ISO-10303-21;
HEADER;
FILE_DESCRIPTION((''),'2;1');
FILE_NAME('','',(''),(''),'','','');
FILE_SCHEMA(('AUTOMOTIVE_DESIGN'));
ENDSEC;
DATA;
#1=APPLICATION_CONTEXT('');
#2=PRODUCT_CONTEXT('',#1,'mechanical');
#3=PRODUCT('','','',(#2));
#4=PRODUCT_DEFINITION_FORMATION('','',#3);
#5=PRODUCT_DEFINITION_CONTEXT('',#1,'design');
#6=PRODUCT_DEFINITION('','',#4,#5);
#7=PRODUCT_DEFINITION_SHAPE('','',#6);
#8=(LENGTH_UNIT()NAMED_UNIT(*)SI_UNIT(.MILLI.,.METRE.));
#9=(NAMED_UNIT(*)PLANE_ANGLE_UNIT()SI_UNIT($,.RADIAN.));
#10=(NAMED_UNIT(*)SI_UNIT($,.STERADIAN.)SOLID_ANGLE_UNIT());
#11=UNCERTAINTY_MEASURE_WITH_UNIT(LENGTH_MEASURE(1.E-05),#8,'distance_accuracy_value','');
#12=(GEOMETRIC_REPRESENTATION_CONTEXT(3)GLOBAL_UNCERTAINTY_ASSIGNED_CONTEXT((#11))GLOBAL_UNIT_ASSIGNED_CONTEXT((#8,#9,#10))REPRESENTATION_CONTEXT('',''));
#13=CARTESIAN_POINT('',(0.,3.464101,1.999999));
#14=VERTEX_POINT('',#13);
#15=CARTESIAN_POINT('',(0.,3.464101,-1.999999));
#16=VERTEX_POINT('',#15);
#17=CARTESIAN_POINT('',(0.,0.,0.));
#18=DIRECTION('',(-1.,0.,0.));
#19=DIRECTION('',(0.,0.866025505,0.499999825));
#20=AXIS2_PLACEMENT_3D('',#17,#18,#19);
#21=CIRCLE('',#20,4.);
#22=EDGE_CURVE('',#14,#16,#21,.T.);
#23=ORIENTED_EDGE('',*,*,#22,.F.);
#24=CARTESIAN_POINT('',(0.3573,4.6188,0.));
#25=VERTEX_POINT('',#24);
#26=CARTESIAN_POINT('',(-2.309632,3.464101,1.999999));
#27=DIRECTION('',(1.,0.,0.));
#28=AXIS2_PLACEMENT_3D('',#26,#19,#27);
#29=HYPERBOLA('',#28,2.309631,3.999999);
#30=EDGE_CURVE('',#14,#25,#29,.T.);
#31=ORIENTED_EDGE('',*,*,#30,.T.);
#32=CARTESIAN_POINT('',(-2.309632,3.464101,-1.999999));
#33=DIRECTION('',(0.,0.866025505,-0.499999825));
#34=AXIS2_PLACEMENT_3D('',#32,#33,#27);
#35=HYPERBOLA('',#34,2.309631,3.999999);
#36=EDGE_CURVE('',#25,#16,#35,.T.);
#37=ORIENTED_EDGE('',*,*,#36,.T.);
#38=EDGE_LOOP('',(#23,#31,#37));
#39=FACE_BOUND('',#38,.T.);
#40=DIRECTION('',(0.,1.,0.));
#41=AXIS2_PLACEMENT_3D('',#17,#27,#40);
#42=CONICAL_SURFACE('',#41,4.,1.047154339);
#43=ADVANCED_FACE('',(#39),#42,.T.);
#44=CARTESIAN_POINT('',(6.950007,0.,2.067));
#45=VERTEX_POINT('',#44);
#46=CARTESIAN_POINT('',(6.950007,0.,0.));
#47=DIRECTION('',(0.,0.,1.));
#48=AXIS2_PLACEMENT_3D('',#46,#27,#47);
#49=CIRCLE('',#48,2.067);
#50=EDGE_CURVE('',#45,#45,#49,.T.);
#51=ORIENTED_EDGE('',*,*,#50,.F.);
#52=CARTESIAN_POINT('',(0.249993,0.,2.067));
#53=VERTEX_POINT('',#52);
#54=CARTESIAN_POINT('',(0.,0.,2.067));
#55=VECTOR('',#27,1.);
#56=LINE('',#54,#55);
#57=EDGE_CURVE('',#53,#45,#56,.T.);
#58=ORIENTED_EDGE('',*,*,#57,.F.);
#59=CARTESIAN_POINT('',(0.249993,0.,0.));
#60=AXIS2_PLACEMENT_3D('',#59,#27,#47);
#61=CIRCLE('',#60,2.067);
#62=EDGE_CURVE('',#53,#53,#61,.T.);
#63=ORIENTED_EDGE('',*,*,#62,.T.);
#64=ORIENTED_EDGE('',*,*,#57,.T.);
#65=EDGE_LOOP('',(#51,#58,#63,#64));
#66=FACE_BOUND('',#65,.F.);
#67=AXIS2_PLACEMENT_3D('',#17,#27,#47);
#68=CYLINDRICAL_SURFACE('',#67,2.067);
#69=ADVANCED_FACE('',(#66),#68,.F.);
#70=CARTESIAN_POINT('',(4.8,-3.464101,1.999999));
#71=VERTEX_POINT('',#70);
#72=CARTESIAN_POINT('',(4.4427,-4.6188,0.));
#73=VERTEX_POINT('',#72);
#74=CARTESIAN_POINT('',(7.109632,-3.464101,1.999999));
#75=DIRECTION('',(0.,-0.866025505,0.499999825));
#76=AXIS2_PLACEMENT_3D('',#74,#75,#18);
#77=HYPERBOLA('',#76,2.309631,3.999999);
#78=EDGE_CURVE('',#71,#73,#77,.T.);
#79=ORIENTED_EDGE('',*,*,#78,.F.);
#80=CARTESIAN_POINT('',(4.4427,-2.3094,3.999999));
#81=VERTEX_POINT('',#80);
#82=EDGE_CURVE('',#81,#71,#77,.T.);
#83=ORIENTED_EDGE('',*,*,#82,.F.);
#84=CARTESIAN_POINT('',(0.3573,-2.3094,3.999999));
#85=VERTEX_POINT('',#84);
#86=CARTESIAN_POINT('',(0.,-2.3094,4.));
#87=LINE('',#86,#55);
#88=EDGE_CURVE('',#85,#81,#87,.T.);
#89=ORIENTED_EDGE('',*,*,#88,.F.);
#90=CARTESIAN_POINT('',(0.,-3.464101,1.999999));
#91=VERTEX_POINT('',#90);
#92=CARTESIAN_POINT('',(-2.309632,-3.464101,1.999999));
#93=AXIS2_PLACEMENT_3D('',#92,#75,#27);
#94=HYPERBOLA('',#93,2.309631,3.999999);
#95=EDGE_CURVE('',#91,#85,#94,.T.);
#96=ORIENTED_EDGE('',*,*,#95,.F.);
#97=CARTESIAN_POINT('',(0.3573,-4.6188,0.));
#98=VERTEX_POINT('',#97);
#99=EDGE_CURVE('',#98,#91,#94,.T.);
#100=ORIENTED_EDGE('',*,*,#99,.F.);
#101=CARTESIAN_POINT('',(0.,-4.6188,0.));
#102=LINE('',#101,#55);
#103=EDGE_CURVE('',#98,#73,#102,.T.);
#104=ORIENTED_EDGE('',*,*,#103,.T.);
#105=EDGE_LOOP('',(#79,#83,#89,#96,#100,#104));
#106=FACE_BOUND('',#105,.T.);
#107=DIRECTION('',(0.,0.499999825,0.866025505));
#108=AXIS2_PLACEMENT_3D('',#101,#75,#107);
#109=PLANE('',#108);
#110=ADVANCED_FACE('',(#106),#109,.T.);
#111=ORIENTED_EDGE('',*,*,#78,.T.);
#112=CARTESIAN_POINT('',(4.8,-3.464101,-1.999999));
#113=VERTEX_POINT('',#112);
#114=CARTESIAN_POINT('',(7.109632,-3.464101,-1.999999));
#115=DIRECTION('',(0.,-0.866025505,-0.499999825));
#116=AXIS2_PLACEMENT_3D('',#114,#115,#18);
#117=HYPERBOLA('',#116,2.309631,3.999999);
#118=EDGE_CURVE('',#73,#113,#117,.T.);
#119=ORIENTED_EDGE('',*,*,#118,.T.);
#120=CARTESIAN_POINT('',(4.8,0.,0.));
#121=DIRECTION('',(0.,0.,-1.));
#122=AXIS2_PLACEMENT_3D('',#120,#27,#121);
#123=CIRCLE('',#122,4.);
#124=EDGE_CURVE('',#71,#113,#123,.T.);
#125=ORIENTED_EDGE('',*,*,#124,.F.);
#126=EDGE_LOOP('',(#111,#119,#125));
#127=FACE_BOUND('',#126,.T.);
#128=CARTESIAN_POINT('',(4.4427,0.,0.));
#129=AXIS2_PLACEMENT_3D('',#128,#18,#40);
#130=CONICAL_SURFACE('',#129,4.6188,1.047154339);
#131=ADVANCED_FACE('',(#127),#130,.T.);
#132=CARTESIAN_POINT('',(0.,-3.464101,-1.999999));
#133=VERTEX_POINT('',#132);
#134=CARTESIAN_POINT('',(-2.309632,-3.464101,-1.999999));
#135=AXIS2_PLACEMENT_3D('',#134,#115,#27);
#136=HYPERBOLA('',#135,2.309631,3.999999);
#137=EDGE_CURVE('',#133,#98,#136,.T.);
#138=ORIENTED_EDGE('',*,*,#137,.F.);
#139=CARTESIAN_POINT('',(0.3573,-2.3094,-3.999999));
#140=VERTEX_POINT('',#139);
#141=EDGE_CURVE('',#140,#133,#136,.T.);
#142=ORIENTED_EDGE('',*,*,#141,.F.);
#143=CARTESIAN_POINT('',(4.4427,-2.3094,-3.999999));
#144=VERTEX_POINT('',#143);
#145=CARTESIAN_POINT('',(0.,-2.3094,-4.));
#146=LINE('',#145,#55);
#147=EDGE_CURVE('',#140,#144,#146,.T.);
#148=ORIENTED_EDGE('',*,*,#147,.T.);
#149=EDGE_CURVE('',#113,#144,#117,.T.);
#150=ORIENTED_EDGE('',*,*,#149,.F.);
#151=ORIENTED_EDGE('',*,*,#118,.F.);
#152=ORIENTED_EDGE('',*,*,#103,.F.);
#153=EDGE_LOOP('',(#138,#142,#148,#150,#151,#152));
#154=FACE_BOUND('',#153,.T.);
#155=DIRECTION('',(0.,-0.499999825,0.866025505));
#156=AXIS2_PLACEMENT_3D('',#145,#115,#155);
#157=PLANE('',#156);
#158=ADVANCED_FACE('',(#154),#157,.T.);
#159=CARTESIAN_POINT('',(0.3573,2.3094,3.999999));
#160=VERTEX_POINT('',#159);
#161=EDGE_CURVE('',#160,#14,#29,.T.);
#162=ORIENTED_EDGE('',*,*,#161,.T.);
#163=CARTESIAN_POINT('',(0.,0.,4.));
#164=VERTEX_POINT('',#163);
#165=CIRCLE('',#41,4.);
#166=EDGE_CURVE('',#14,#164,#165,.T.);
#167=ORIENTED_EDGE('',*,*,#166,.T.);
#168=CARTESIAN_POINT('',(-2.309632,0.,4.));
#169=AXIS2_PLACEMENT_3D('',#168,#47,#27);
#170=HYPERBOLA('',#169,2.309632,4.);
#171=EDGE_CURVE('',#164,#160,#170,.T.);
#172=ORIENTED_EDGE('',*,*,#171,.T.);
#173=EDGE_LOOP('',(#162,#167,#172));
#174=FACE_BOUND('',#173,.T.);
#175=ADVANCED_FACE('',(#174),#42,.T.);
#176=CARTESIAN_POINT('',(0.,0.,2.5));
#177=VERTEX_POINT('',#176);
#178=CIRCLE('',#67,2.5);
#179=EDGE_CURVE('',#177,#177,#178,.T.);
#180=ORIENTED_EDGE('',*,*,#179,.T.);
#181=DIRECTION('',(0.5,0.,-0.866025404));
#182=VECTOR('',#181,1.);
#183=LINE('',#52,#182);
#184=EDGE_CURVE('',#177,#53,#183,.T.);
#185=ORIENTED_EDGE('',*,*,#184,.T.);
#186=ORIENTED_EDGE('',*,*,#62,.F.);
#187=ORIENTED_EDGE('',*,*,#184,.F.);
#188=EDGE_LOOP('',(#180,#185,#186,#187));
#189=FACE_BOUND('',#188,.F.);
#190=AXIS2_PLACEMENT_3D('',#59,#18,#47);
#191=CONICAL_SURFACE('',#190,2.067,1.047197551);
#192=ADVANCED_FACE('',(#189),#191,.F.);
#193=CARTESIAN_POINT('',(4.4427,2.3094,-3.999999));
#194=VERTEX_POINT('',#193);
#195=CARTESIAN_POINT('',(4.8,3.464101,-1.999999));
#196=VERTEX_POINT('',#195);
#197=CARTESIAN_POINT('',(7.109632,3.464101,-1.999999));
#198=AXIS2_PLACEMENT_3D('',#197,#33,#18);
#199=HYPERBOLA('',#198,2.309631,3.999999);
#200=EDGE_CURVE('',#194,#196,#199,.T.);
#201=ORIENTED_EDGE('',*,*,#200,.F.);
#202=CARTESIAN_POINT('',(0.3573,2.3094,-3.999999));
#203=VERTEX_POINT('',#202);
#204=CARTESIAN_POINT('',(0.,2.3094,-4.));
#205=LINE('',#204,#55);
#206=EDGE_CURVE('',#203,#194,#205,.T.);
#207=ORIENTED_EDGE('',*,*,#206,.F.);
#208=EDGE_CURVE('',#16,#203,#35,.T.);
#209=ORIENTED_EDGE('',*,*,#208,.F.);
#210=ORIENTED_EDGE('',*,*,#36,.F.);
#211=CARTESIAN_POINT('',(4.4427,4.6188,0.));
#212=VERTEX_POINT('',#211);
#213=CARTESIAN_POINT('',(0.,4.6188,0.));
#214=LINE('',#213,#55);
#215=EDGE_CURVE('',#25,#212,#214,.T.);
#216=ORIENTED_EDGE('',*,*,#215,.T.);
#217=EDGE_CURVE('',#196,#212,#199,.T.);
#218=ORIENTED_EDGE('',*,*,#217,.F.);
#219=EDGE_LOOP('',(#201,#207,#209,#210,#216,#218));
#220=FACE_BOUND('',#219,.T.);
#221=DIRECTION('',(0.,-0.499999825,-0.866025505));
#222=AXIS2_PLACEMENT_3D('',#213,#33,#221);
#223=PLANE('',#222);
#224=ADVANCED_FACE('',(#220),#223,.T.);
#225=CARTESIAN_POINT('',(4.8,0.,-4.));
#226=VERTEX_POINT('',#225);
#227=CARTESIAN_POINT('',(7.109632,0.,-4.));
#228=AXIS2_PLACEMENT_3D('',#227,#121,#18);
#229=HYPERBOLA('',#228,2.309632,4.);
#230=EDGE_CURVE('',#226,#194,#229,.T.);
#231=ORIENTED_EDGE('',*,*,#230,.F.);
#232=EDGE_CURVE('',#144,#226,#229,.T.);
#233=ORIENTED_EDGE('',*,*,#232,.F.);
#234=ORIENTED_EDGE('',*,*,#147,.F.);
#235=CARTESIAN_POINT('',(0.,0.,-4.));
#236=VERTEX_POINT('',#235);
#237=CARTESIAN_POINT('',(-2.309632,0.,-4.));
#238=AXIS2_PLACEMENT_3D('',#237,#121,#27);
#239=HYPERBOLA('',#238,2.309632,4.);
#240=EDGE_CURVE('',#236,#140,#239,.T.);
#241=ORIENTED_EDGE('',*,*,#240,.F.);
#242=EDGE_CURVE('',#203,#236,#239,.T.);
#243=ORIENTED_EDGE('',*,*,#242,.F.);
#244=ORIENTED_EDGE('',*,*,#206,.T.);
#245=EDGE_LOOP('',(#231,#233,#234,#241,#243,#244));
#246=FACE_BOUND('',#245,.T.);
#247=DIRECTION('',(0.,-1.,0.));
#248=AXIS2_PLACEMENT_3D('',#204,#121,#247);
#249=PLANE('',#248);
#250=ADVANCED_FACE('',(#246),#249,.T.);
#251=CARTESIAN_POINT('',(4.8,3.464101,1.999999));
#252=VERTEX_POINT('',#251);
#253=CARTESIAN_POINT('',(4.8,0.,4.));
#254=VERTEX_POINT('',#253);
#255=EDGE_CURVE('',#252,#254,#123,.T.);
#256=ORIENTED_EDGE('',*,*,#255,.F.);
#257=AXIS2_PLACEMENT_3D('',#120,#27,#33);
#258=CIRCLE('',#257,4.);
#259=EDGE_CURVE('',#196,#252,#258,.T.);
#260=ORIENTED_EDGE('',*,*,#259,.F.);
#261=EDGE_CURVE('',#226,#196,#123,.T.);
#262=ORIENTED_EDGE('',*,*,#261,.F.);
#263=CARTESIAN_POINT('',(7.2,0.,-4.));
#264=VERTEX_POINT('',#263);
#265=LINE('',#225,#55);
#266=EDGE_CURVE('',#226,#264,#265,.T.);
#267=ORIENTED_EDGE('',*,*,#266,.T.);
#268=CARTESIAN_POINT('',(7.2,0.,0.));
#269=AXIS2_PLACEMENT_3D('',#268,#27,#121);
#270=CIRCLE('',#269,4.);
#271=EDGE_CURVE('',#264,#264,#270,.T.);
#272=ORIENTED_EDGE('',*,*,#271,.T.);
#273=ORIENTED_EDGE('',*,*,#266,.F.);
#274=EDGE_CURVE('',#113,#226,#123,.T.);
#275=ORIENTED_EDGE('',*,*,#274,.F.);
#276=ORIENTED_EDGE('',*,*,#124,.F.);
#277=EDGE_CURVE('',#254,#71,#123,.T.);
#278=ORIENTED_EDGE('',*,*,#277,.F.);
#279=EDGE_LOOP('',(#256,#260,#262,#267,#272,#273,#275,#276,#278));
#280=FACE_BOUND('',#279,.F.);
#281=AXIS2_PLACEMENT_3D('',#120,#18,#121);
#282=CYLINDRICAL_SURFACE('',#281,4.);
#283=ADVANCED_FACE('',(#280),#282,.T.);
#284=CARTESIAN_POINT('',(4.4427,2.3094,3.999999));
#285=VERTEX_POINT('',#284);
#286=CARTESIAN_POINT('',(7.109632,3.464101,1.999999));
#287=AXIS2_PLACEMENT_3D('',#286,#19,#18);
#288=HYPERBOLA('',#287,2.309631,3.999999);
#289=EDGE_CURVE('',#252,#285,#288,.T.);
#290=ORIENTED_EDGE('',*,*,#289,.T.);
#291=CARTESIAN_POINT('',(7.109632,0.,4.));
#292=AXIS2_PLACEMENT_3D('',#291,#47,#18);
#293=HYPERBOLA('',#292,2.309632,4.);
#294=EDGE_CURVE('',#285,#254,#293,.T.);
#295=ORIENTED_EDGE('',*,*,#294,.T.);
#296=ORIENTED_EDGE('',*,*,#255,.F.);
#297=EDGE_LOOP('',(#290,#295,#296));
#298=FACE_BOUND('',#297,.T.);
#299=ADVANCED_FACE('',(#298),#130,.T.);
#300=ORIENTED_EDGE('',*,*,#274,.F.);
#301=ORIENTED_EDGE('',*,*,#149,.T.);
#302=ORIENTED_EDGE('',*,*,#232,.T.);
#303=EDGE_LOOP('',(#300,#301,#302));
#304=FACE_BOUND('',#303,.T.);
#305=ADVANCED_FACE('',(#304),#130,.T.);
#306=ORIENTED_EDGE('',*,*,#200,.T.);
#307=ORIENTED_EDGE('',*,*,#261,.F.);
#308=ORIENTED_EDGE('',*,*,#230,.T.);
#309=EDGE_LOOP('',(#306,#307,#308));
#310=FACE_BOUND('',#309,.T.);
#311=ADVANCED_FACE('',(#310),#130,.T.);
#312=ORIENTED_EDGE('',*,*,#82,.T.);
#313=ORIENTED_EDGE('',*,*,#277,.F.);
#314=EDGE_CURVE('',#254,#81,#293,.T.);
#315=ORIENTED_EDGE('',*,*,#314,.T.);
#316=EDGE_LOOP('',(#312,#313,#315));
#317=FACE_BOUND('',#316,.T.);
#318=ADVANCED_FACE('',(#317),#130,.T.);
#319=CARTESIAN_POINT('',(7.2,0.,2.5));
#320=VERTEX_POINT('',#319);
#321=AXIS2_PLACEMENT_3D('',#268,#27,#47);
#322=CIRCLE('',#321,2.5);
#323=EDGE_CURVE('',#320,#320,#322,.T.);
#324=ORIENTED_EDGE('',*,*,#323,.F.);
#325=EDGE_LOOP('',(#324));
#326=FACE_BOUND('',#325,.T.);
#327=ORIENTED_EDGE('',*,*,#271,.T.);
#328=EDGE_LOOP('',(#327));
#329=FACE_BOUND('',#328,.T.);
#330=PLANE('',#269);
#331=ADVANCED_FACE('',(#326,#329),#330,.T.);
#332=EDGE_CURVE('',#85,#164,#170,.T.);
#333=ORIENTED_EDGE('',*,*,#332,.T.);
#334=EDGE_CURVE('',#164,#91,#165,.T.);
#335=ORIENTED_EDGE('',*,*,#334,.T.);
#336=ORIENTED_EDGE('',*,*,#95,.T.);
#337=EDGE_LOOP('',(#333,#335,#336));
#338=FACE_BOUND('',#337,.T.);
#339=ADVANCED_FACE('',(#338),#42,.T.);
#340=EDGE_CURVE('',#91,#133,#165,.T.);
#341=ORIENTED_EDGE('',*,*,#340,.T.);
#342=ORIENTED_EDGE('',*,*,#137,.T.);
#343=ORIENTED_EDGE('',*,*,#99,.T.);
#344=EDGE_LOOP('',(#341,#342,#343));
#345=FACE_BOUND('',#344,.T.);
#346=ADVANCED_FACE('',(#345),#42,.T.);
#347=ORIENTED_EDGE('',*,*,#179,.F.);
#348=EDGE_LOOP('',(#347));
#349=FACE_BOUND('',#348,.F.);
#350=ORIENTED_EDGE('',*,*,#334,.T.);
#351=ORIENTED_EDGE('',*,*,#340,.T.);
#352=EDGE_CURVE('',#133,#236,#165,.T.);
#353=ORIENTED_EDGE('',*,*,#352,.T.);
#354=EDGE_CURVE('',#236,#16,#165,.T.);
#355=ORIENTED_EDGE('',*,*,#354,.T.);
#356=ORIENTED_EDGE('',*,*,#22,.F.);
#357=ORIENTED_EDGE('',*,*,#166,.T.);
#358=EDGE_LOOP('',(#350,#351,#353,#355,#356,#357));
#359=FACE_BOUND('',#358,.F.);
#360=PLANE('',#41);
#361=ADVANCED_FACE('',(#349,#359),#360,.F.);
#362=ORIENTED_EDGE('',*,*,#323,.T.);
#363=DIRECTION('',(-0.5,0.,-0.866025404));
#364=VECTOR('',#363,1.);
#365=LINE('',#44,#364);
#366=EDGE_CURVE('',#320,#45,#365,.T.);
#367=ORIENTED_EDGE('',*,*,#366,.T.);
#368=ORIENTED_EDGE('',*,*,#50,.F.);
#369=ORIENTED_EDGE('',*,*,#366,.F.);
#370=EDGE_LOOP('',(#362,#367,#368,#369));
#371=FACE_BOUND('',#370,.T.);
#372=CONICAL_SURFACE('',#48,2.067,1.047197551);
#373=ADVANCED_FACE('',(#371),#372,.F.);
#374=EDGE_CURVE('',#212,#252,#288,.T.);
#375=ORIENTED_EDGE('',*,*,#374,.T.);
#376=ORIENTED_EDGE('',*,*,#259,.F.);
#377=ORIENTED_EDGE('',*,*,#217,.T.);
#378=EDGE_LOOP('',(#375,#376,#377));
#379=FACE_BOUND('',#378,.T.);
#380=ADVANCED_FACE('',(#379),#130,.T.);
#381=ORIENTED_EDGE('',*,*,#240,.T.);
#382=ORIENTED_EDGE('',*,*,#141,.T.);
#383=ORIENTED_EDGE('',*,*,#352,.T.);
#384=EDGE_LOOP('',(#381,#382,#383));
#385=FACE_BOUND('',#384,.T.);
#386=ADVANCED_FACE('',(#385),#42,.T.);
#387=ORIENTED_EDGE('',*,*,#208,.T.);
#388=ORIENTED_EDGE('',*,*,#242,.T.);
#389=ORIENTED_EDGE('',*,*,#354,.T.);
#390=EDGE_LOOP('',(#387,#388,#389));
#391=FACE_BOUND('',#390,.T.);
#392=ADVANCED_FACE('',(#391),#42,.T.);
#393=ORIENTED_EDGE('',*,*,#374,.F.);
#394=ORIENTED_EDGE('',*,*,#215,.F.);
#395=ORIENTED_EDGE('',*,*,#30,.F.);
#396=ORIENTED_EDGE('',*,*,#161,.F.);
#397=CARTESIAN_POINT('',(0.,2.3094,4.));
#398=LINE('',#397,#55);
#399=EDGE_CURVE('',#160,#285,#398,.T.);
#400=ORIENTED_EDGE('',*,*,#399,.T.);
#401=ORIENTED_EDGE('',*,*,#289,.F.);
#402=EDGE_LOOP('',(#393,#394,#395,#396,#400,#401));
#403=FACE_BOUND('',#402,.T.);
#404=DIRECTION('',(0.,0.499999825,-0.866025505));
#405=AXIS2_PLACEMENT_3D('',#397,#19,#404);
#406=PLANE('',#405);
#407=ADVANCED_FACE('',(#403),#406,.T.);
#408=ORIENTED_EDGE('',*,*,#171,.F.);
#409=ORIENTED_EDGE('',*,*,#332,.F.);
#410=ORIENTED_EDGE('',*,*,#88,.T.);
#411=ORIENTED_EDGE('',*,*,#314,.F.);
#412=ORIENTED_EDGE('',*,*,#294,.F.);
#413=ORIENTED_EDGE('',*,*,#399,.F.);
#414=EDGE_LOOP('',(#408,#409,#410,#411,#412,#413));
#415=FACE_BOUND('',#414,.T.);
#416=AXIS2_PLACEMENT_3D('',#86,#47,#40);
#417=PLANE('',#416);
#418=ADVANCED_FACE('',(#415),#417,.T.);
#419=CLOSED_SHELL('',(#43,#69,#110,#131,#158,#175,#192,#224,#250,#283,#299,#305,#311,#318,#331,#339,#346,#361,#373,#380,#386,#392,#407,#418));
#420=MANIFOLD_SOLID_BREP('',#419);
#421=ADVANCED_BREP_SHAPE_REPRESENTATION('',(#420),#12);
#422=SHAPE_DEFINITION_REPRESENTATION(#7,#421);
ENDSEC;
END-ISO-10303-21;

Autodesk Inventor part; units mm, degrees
ref_plane "YZ Plane" through (0, 0, 0) normal (1, 0, 0) x (0, 1, 0)
ref_plane "XZ Plane" through (0, 0, 0) normal (0, 1, 0) x (-1, 0, 0)
sketch "Sketch1" plane through (0, 0, 0) normal (1, 0, 0) x (0, 1, 0)
  line L0 (2.3094, -4) -> (-2.3094, -4)
  line L1 (-2.3094, -4) -> (-4.6188, 0)
  line L2 (-4.6188, 0) -> (-2.3094, 4)
  line L3 (-2.3094, 4) -> (2.3094, 4)
  line L4 (2.3094, 4) -> (4.6188, 0)
  line L5 (4.6188, 0) -> (2.3094, -4)
  point P0 (0, 0)
  point P1 (0, 0)
  dimension "d0" = 9.2376
extrude "Body" add sketch "Sketch1" along normal blind 4.8
sketch "Sketch2" plane through (4.8, 0, 0) normal (1, 0, 0) x (0, 0, -1)
  circle A0 centre (0, 0) radius 4
  dimension "d7" = 8
extrude "Ring" add sketch "Sketch2" along normal blind 2.4
sketch "Sketch3" plane through (0, 0, 0) normal (0, 0, 1) x (1, 0, 0)
  line L0 (0, 2.3094) -> (0, 4.6188) projected
  line L1 (0, 4.6188) -> (4.8, 4.6188) projected
  line L2 (4.8, 2.3094) -> (4.8, 4.6188) projected
  line L3 (-0.96, 0) -> (5.76, 0) projected
  line L4 (0, 4) -> (0.3573, 4.6188)
  line L5 (4.4427, 4.6188) -> (4.8, 4)
  dimension "d3" = 30
  dimension "d4" = 30
  dimension "d5" = 8
  dimension "d6" = 8
revolve "Chamfer1" cut sketch "Sketch3" angle 360 about axis through (-10, 0, 0) along (1, 0, 0)
sketch "Sketch4" plane through (0, 0, 0) normal (-1, 0, 0) x (0, 0, 1)
  line L0 (0, -6.4663) -> (0, 6.4663) projected
  line L1 (-5.6, 0) -> (5.6, 0) projected
  point P0 (0, 0)
hole "Thread" at (0, 0, 0) direction (1, 0, 0) diameter 4.134 end through all thread size "M5x0.8" class "6H" standard "ISO Metric profile"
chamfer "Chamfer2" distance 0.433 angle 30 1 edges at (0, 0, -2.067) measured on face at (0, -3.336, 0.083)
chamfer "Chamfer3" distance 0.433 angle 30 1 edges at (7.2, 0, -2.067) measured on face at (7.2, -0.484, -3.2969)
ref_plane "Work Plane1" through (14.1836, 0, 0) normal (0, 0, 1) x (-1, 0, 0)
equation "\"d0\" = 1.1547 * SW"
equation "\"d1\" = KOH1"
equation "\"d7\" = SD2"
equation "\"d8\" = KOH - KOH1"
equation "\"d3\" = ANG1"
equation "\"d4\" = ANG2"
equation "\"d5\" = SW0"
equation "\"d6\" = SW01"
equation "\"d10\" = -0.5 * GD1 + 0.5 * NND"
equation "\"d46\" = -0.5 * GD1 + 0.5 * NND"
equation "\"d12\" = -0.5 * GD1 + 0.5 * NND"
equation "\"d47\" = -0.5 * GD1 + 0.5 * NND"
equation "\"ANG1\" = 30deg"
equation "\"ANG2\" = 30deg"
equation "\"NND\" = 5"
equation "\"KOH1\" = 4.8"
equation "\"KOH\" = 7.2"
equation "\"SW\" = 8"
equation "\"SW0\" = SW"
equation "\"SW01\" = SW"
equation "\"SD2\" = SW"
equation "\"GUL\" = 0.541266 * PTC"
equation "\"THREADDIA\" = 5"
equation "\"TOA\" = 30deg"
equation "\"PTC\" = 0.8"
equation "\"GAL\" = 0.541266 * PTC"
equation "\"E0\" = 1.155 * SW"
equation "\"GD1\" = 4.133975"
properties part number "ISO 7041 - M5" material "Steel"
